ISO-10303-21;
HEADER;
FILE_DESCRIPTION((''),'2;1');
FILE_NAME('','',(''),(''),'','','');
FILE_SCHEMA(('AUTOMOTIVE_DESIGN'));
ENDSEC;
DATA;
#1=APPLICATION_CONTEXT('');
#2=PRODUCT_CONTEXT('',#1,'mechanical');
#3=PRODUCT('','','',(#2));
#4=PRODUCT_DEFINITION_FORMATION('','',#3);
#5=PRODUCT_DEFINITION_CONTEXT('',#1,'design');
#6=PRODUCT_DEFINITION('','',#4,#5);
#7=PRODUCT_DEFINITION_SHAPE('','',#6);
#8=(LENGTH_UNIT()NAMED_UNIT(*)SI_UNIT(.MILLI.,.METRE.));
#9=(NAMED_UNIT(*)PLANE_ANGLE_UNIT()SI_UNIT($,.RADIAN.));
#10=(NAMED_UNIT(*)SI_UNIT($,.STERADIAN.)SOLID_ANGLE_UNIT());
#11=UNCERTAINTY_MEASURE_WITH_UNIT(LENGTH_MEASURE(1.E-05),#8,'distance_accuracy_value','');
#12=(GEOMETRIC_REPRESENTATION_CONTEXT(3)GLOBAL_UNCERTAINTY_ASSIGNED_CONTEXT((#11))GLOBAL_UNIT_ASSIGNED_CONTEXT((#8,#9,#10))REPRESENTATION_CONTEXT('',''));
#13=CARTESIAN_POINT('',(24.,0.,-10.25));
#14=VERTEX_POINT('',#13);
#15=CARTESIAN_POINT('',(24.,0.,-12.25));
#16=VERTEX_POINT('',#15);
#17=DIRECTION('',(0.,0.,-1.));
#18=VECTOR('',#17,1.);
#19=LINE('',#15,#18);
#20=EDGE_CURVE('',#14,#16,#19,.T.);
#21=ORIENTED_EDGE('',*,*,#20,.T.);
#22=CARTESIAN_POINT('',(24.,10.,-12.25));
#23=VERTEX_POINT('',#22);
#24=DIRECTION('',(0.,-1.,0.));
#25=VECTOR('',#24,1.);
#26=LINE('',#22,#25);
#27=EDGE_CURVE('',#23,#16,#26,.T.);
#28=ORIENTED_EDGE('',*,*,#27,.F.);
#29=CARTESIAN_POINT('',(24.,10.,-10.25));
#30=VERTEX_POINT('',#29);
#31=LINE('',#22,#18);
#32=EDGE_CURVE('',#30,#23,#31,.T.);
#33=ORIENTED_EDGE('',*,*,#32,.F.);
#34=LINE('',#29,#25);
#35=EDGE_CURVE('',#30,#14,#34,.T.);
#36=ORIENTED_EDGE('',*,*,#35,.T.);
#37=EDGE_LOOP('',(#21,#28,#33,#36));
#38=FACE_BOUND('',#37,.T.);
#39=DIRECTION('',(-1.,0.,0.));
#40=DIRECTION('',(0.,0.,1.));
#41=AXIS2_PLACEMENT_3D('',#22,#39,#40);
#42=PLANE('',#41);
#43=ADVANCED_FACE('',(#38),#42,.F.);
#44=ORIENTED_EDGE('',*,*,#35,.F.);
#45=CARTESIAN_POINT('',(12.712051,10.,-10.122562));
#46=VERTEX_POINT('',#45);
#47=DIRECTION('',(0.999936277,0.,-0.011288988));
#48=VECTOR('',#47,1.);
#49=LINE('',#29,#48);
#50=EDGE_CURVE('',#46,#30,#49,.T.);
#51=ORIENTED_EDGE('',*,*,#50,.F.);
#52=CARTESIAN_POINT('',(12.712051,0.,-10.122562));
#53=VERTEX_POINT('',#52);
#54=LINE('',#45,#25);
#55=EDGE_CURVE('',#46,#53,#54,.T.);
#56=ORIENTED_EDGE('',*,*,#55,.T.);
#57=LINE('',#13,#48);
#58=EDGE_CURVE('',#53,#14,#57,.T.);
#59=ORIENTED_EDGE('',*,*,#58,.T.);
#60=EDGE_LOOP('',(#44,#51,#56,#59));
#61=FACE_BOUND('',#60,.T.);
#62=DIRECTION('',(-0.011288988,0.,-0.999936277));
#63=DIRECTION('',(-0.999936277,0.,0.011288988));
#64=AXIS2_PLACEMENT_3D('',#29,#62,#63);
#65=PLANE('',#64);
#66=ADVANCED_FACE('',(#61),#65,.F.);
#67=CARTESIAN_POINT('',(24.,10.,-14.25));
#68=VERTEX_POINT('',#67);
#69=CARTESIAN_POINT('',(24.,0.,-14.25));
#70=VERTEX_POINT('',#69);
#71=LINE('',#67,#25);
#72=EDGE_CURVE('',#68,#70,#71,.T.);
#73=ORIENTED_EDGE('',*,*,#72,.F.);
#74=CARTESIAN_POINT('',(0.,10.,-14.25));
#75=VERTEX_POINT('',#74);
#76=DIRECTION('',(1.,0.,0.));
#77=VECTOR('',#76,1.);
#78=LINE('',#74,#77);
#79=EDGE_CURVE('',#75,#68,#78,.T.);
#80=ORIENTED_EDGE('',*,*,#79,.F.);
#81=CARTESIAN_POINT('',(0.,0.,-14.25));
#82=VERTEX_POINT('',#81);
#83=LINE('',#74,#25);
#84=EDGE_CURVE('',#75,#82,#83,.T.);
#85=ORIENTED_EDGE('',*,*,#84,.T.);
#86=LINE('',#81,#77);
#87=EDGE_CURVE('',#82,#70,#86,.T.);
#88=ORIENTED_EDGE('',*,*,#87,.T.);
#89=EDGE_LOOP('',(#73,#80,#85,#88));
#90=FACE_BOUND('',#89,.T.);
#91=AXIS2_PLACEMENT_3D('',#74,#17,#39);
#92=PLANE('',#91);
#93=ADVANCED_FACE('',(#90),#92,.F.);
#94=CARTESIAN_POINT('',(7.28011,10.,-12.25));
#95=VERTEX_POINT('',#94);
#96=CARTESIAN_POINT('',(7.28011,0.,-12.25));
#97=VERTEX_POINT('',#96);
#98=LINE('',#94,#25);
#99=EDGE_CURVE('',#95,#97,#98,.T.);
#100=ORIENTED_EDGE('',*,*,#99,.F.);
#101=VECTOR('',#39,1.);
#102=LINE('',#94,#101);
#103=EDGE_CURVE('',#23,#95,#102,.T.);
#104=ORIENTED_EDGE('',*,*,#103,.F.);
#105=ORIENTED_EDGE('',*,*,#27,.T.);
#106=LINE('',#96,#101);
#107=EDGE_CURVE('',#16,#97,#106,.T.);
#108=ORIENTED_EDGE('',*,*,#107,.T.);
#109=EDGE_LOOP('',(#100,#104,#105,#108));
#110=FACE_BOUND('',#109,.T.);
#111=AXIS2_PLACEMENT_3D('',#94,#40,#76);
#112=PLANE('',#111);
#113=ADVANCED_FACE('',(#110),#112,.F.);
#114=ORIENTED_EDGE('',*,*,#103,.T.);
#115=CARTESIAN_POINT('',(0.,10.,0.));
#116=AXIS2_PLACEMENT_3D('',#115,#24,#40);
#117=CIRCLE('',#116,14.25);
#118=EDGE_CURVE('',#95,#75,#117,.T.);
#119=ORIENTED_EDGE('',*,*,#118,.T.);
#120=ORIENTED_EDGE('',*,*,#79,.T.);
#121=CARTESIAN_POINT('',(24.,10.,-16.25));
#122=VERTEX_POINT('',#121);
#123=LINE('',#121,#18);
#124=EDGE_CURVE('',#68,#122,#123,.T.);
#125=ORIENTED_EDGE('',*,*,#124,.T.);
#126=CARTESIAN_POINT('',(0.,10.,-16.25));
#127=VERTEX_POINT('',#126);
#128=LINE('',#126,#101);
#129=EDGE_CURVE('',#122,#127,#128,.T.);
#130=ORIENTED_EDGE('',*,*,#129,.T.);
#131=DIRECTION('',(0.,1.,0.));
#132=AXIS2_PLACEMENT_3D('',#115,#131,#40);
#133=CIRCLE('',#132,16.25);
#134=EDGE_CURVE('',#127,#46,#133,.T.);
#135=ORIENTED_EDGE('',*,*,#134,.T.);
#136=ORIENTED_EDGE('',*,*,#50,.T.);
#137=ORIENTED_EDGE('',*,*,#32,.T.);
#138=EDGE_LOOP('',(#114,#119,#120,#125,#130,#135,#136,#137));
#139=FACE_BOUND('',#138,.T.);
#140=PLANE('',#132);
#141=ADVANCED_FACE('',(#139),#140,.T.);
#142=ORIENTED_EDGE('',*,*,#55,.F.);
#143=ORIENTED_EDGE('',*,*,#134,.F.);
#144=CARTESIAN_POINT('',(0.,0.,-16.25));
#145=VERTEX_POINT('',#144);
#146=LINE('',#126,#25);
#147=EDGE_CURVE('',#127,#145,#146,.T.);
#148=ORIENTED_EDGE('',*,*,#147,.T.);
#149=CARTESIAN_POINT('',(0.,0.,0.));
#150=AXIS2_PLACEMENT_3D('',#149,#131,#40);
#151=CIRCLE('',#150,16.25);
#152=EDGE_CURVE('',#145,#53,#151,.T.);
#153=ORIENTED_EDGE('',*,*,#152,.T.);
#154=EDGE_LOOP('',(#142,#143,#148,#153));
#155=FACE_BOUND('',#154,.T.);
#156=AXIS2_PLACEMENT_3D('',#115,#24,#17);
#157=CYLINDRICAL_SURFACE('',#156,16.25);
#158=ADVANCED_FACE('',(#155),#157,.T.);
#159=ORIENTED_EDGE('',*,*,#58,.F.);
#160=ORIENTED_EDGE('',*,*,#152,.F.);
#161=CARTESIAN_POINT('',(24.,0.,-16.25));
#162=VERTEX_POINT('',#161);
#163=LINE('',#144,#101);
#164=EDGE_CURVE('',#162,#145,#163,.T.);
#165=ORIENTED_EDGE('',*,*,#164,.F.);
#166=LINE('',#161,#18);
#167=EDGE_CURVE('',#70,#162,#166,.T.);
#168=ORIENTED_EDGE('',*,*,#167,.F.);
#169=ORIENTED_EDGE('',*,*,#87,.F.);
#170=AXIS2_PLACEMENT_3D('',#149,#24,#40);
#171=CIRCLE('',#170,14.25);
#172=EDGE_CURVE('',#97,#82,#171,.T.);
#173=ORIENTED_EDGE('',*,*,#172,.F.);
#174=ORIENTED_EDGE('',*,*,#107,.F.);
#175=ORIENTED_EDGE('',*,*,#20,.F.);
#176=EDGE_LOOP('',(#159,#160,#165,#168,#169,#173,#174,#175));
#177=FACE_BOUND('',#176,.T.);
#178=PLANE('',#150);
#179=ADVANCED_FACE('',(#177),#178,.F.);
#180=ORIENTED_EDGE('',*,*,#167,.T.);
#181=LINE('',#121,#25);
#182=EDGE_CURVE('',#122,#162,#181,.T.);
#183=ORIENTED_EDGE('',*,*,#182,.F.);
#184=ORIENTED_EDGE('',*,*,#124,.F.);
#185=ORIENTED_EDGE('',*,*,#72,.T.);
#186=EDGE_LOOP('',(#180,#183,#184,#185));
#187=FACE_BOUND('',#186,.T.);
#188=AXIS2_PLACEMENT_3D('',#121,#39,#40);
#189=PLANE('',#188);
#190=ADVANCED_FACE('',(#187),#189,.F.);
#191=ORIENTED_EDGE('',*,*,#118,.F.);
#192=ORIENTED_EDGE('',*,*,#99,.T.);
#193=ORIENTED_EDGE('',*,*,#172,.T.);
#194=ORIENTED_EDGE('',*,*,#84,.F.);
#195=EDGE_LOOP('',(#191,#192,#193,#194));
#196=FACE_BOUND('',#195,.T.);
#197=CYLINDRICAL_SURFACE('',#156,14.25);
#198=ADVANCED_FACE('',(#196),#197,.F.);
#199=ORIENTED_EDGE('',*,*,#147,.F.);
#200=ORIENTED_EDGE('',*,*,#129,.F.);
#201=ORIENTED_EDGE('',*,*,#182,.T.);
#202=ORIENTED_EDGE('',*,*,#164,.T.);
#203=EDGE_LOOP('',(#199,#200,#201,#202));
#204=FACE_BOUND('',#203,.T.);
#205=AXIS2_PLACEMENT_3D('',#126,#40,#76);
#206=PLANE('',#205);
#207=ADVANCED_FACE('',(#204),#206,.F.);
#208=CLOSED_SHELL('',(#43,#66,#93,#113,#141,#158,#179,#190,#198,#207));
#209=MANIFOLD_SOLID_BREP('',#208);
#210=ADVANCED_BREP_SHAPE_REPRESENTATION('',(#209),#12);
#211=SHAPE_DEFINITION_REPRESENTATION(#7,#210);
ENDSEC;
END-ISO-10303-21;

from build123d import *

# Parameters (mm, degrees)
BOSS_EXTRUDE1_DEPTH = 10


with BuildPart() as part:
    # Sketch1 → Boss-Extrude1 (new body)
    with BuildSketch(Plane(origin=(0, 0, 0), x_dir=(1, 0, 0), z_dir=(0, 1, 0))):
        with BuildLine():
            Line((7.280109889, 12.25), (24, 12.25))
            Line((24, 12.25), (24, 10.25))
            Line((24, 10.25), (12.712050634, 10.122562357))
            ThreePointArc((12.712050634, 10.122562357), (-7.055879169, -14.638205804), (0, 16.25))
            Line((0, 16.25), (24, 16.25))
            Line((24, 16.25), (24, 14.25))
            Line((24, 14.25), (0, 14.25))
            ThreePointArc((0, 14.25), (-3.774917218, -13.740906084), (7.280109889, 12.25))
        make_face()
    extrude(amount=BOSS_EXTRUDE1_DEPTH)


solid = part.part
